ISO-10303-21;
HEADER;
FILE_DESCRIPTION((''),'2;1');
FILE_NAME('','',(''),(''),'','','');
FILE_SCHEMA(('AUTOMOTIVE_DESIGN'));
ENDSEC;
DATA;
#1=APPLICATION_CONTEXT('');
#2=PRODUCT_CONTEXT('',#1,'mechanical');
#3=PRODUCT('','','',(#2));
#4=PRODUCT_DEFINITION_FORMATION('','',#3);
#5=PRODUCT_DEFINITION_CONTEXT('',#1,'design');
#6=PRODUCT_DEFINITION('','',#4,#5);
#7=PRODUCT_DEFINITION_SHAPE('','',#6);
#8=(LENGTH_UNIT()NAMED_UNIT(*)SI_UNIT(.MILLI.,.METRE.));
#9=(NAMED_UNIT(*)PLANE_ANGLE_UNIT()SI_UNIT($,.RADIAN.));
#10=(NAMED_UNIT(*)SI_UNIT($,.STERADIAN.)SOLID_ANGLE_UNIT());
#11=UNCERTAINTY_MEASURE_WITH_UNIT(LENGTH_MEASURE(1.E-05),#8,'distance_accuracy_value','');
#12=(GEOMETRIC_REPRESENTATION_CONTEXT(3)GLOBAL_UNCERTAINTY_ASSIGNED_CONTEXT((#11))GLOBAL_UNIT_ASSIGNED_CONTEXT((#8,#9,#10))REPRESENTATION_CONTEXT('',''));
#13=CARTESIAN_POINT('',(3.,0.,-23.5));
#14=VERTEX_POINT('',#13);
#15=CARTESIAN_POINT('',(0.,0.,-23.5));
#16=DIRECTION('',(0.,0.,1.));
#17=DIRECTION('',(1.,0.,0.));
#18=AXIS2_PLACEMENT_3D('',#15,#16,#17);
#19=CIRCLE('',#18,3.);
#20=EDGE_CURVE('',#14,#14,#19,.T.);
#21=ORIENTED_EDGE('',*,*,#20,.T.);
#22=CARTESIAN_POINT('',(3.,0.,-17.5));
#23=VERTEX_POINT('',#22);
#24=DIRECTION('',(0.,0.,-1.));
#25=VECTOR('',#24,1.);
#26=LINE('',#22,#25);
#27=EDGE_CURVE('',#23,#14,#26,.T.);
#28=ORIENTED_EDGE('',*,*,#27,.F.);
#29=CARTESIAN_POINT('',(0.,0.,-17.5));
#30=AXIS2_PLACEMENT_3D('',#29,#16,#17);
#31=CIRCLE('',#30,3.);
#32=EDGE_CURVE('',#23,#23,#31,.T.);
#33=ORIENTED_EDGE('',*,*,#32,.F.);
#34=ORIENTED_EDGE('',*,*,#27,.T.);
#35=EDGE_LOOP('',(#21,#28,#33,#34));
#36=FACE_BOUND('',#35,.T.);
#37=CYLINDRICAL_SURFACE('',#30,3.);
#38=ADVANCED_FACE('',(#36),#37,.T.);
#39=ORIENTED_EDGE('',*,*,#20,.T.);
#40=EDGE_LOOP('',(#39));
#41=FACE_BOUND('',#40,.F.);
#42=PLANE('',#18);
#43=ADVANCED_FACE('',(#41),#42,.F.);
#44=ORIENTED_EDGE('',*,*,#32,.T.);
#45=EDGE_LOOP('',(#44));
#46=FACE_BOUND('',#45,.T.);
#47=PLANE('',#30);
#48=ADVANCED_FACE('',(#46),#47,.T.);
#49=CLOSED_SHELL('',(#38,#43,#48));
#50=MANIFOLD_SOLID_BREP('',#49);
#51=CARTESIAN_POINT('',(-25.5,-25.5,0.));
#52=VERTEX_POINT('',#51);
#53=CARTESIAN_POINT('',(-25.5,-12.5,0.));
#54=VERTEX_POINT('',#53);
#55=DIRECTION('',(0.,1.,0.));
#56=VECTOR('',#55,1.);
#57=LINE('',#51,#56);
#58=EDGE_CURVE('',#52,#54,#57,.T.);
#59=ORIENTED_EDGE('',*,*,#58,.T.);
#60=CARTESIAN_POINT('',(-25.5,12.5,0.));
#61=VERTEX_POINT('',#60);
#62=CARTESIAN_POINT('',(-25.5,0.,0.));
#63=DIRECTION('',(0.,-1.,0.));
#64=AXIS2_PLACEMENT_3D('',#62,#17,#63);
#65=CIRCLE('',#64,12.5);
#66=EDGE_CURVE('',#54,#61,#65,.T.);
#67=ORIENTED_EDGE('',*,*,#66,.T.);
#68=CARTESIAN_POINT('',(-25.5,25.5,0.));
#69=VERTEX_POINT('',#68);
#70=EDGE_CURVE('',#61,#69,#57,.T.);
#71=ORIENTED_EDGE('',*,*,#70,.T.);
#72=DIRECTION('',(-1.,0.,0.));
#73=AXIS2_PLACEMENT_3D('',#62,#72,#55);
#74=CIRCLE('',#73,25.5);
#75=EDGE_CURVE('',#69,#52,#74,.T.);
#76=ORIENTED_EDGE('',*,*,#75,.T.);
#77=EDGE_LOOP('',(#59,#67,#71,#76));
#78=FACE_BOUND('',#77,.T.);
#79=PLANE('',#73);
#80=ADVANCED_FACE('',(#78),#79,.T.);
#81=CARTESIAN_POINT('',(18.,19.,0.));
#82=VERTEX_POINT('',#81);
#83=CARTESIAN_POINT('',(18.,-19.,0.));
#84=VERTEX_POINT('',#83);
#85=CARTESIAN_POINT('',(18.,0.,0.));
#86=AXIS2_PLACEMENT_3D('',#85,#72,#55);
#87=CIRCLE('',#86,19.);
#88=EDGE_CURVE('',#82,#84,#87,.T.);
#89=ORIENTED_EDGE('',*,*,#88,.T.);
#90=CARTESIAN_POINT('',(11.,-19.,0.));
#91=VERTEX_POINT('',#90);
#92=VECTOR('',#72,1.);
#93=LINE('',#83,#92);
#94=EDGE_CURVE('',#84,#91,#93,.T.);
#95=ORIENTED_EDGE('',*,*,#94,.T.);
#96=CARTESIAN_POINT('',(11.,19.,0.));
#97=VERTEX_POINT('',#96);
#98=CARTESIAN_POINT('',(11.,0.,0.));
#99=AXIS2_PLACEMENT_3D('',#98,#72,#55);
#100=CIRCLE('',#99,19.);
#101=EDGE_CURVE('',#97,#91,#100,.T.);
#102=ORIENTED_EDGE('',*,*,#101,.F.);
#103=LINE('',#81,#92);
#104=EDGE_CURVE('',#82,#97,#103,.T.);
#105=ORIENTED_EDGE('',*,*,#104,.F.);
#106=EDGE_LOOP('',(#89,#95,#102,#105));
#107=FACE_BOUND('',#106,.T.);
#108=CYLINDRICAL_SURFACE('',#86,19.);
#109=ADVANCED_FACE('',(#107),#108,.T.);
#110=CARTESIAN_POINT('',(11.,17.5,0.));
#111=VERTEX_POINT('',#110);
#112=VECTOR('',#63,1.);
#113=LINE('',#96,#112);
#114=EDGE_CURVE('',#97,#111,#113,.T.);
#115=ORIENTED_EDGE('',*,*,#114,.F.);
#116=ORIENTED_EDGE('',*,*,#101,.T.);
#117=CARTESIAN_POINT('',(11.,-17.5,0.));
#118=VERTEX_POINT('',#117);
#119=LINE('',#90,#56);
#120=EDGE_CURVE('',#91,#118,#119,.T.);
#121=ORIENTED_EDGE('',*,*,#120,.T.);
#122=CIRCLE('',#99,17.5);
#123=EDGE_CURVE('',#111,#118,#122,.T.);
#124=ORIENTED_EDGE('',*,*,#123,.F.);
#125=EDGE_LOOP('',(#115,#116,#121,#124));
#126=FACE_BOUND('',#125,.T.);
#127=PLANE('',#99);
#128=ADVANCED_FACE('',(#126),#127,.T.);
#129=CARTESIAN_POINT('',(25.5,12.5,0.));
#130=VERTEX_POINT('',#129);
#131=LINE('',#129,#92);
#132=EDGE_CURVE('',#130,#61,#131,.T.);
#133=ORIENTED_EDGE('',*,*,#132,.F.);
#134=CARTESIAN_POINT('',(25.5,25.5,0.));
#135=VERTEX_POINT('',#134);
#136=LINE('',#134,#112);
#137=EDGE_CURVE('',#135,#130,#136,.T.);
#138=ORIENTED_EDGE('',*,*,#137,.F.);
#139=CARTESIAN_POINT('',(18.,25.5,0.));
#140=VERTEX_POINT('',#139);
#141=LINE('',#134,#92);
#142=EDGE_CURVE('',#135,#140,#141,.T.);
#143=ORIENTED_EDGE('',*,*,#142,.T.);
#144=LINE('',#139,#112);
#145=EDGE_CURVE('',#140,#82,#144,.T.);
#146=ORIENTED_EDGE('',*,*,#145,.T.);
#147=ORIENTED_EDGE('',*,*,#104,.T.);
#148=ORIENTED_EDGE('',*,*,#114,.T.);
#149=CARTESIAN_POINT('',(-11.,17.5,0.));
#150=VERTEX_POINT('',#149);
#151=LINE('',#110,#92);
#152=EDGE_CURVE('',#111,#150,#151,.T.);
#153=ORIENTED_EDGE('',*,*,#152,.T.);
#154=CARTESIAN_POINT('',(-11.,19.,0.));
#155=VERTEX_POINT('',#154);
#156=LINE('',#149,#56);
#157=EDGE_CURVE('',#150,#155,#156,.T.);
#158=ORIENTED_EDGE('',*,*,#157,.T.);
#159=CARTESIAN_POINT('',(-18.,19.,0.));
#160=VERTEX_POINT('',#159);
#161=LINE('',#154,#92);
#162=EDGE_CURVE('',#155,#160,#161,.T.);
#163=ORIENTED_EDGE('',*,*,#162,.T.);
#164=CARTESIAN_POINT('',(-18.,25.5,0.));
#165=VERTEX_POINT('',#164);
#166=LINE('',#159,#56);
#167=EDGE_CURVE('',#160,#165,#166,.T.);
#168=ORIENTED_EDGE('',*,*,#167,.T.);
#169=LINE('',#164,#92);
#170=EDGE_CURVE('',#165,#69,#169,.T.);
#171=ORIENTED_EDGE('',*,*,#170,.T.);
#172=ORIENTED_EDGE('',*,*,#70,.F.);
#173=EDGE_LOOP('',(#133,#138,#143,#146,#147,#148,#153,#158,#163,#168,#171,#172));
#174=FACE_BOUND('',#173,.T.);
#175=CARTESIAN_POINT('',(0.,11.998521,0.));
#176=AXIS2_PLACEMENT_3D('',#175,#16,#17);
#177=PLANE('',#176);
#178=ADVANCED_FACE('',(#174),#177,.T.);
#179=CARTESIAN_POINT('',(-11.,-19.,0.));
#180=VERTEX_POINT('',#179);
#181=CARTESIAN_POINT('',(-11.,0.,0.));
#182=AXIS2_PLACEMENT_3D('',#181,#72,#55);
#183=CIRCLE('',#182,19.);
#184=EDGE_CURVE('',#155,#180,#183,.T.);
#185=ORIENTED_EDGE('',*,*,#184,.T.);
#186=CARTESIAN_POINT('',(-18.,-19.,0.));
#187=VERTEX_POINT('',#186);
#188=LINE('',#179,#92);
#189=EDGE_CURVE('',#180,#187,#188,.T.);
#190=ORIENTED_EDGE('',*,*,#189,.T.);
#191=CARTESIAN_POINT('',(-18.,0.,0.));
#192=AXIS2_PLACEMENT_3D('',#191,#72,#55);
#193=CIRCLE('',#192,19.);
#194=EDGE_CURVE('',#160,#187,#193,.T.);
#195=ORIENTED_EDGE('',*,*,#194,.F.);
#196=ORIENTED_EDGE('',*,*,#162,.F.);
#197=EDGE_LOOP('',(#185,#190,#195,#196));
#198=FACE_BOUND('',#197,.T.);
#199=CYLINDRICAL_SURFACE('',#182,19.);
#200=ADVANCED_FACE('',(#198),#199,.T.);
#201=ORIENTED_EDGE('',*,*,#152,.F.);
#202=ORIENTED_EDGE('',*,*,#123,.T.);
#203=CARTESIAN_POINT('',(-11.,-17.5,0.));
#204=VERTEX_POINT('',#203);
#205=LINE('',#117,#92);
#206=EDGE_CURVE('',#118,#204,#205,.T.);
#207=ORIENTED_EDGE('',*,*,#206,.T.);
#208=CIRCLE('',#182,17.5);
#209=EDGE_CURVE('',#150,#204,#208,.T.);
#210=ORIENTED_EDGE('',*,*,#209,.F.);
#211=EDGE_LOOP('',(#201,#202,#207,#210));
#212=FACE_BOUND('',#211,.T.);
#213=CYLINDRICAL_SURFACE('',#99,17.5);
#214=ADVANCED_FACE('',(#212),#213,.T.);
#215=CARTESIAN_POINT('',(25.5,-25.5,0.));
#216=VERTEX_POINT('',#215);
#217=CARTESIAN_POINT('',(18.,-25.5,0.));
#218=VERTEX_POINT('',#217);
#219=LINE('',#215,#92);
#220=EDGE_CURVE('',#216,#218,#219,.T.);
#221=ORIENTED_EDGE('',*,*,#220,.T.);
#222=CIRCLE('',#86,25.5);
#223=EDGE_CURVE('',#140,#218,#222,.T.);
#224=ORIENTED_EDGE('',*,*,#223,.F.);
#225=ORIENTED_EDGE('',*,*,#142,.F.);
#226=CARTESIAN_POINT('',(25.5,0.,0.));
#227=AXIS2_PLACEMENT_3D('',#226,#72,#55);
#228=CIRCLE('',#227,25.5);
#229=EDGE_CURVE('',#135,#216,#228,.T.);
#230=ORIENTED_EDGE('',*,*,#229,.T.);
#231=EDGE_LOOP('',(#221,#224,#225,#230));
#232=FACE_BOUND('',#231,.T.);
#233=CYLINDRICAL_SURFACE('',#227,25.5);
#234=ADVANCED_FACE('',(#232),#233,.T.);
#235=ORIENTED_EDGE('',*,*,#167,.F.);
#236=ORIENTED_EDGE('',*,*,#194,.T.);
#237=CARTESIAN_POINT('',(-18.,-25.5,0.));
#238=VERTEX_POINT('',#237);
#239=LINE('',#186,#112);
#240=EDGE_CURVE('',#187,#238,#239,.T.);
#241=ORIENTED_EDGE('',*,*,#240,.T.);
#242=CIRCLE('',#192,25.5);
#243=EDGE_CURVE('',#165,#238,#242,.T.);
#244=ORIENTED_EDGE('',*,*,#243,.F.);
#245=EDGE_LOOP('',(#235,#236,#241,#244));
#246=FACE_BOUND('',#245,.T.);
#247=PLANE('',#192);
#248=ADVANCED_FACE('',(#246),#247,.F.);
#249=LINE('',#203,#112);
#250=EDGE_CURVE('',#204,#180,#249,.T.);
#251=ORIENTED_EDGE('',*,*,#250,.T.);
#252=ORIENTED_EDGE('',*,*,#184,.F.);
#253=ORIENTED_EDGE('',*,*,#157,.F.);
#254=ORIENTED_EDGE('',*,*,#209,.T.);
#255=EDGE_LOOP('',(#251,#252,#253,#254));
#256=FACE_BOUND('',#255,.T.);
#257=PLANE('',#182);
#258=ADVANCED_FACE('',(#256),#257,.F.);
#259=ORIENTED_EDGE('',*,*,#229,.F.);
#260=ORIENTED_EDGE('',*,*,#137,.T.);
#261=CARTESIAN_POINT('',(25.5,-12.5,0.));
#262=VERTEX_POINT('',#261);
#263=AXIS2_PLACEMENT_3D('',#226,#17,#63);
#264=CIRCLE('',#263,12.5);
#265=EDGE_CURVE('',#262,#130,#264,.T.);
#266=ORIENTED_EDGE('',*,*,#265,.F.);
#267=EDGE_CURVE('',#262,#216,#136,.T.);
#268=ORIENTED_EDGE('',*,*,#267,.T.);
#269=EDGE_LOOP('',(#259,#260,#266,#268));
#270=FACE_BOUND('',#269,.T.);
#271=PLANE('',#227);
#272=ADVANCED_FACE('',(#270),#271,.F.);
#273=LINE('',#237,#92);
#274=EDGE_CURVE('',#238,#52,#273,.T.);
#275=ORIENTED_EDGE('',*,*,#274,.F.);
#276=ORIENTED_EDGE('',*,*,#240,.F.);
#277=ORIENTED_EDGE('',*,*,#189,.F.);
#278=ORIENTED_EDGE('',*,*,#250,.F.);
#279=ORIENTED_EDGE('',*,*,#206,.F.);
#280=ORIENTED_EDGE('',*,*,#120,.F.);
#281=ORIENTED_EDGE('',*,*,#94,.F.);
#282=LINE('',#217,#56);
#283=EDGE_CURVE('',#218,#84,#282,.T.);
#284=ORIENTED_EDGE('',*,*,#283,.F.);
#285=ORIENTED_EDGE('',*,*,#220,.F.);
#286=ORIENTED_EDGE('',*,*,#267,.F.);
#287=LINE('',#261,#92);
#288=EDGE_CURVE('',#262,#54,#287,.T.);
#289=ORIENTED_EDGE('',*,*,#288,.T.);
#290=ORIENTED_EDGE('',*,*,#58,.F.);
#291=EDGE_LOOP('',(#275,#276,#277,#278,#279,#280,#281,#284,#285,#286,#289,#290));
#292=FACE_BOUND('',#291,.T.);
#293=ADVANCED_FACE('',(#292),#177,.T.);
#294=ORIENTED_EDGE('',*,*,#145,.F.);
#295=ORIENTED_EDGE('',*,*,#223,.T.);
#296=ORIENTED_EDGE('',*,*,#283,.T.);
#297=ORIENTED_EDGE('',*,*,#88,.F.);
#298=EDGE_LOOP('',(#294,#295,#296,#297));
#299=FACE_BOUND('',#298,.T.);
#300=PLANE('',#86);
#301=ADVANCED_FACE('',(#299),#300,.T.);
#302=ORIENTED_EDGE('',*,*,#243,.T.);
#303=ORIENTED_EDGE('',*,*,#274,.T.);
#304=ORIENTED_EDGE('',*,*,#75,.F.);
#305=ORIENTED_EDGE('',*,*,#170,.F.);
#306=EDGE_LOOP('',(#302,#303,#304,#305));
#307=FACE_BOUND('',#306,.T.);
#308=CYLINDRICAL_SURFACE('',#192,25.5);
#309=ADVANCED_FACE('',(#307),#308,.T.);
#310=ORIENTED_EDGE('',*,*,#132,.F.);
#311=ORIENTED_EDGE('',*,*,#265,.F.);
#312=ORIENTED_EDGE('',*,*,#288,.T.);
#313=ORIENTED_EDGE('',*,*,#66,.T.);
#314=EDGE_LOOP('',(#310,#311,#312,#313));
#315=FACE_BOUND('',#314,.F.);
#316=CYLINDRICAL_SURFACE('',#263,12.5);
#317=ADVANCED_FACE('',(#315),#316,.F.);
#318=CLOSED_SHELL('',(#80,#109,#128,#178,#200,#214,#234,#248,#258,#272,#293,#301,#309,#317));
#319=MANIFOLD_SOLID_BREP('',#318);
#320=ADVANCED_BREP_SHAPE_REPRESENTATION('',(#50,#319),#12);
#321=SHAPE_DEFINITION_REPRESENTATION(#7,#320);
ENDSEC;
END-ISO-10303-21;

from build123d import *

# Parameters (mm, degrees)
REVOLVE2_ANGLE      = 180
CUT_EXTRUDE1_DEPTH  = 52
SKETCH3_R           = 3
BOSS_EXTRUDE1_DEPTH = 6


with BuildPart() as part:
    # Sketch1 → Revolve2 (revolve)
    with BuildSketch(Plane.XY):
        Polygon((25.5, 0), (25.5, 25.5), (18, 25.5), (18, 19), (11, 19), (11, 17.5), (3, 17.5), (-3, 17.5), (-11, 17.5), (-11, 19), (-18, 19), (-18, 25.5), (-25.5, 25.5), (-25.5, 0), align=None)
    revolve(axis=Axis((25.5, 0, 0), (-1, 0, 0)), revolution_arc=REVOLVE2_ANGLE)

    # Sketch2 → Cut-Extrude1 (cut, through all)
    with BuildSketch(Plane(origin=(25.5, 0, 0), x_dir=(0, 0, -1), z_dir=(1, 0, 0))):
        with BuildLine():
            Line((0, 12.5), (0, -12.5))
            ThreePointArc((0, -12.5), (12.5, 0), (0, 12.5))
        make_face()
    extrude(amount=-CUT_EXTRUDE1_DEPTH, mode=Mode.SUBTRACT)


with BuildPart() as body_2:
    # Sketch3 → Boss-Extrude1 (new body)
    with BuildSketch(Plane.XY.offset(-17.5)):
        Circle(SKETCH3_R)
    extrude(amount=-BOSS_EXTRUDE1_DEPTH)


solid = Compound([part.part, body_2.part])
